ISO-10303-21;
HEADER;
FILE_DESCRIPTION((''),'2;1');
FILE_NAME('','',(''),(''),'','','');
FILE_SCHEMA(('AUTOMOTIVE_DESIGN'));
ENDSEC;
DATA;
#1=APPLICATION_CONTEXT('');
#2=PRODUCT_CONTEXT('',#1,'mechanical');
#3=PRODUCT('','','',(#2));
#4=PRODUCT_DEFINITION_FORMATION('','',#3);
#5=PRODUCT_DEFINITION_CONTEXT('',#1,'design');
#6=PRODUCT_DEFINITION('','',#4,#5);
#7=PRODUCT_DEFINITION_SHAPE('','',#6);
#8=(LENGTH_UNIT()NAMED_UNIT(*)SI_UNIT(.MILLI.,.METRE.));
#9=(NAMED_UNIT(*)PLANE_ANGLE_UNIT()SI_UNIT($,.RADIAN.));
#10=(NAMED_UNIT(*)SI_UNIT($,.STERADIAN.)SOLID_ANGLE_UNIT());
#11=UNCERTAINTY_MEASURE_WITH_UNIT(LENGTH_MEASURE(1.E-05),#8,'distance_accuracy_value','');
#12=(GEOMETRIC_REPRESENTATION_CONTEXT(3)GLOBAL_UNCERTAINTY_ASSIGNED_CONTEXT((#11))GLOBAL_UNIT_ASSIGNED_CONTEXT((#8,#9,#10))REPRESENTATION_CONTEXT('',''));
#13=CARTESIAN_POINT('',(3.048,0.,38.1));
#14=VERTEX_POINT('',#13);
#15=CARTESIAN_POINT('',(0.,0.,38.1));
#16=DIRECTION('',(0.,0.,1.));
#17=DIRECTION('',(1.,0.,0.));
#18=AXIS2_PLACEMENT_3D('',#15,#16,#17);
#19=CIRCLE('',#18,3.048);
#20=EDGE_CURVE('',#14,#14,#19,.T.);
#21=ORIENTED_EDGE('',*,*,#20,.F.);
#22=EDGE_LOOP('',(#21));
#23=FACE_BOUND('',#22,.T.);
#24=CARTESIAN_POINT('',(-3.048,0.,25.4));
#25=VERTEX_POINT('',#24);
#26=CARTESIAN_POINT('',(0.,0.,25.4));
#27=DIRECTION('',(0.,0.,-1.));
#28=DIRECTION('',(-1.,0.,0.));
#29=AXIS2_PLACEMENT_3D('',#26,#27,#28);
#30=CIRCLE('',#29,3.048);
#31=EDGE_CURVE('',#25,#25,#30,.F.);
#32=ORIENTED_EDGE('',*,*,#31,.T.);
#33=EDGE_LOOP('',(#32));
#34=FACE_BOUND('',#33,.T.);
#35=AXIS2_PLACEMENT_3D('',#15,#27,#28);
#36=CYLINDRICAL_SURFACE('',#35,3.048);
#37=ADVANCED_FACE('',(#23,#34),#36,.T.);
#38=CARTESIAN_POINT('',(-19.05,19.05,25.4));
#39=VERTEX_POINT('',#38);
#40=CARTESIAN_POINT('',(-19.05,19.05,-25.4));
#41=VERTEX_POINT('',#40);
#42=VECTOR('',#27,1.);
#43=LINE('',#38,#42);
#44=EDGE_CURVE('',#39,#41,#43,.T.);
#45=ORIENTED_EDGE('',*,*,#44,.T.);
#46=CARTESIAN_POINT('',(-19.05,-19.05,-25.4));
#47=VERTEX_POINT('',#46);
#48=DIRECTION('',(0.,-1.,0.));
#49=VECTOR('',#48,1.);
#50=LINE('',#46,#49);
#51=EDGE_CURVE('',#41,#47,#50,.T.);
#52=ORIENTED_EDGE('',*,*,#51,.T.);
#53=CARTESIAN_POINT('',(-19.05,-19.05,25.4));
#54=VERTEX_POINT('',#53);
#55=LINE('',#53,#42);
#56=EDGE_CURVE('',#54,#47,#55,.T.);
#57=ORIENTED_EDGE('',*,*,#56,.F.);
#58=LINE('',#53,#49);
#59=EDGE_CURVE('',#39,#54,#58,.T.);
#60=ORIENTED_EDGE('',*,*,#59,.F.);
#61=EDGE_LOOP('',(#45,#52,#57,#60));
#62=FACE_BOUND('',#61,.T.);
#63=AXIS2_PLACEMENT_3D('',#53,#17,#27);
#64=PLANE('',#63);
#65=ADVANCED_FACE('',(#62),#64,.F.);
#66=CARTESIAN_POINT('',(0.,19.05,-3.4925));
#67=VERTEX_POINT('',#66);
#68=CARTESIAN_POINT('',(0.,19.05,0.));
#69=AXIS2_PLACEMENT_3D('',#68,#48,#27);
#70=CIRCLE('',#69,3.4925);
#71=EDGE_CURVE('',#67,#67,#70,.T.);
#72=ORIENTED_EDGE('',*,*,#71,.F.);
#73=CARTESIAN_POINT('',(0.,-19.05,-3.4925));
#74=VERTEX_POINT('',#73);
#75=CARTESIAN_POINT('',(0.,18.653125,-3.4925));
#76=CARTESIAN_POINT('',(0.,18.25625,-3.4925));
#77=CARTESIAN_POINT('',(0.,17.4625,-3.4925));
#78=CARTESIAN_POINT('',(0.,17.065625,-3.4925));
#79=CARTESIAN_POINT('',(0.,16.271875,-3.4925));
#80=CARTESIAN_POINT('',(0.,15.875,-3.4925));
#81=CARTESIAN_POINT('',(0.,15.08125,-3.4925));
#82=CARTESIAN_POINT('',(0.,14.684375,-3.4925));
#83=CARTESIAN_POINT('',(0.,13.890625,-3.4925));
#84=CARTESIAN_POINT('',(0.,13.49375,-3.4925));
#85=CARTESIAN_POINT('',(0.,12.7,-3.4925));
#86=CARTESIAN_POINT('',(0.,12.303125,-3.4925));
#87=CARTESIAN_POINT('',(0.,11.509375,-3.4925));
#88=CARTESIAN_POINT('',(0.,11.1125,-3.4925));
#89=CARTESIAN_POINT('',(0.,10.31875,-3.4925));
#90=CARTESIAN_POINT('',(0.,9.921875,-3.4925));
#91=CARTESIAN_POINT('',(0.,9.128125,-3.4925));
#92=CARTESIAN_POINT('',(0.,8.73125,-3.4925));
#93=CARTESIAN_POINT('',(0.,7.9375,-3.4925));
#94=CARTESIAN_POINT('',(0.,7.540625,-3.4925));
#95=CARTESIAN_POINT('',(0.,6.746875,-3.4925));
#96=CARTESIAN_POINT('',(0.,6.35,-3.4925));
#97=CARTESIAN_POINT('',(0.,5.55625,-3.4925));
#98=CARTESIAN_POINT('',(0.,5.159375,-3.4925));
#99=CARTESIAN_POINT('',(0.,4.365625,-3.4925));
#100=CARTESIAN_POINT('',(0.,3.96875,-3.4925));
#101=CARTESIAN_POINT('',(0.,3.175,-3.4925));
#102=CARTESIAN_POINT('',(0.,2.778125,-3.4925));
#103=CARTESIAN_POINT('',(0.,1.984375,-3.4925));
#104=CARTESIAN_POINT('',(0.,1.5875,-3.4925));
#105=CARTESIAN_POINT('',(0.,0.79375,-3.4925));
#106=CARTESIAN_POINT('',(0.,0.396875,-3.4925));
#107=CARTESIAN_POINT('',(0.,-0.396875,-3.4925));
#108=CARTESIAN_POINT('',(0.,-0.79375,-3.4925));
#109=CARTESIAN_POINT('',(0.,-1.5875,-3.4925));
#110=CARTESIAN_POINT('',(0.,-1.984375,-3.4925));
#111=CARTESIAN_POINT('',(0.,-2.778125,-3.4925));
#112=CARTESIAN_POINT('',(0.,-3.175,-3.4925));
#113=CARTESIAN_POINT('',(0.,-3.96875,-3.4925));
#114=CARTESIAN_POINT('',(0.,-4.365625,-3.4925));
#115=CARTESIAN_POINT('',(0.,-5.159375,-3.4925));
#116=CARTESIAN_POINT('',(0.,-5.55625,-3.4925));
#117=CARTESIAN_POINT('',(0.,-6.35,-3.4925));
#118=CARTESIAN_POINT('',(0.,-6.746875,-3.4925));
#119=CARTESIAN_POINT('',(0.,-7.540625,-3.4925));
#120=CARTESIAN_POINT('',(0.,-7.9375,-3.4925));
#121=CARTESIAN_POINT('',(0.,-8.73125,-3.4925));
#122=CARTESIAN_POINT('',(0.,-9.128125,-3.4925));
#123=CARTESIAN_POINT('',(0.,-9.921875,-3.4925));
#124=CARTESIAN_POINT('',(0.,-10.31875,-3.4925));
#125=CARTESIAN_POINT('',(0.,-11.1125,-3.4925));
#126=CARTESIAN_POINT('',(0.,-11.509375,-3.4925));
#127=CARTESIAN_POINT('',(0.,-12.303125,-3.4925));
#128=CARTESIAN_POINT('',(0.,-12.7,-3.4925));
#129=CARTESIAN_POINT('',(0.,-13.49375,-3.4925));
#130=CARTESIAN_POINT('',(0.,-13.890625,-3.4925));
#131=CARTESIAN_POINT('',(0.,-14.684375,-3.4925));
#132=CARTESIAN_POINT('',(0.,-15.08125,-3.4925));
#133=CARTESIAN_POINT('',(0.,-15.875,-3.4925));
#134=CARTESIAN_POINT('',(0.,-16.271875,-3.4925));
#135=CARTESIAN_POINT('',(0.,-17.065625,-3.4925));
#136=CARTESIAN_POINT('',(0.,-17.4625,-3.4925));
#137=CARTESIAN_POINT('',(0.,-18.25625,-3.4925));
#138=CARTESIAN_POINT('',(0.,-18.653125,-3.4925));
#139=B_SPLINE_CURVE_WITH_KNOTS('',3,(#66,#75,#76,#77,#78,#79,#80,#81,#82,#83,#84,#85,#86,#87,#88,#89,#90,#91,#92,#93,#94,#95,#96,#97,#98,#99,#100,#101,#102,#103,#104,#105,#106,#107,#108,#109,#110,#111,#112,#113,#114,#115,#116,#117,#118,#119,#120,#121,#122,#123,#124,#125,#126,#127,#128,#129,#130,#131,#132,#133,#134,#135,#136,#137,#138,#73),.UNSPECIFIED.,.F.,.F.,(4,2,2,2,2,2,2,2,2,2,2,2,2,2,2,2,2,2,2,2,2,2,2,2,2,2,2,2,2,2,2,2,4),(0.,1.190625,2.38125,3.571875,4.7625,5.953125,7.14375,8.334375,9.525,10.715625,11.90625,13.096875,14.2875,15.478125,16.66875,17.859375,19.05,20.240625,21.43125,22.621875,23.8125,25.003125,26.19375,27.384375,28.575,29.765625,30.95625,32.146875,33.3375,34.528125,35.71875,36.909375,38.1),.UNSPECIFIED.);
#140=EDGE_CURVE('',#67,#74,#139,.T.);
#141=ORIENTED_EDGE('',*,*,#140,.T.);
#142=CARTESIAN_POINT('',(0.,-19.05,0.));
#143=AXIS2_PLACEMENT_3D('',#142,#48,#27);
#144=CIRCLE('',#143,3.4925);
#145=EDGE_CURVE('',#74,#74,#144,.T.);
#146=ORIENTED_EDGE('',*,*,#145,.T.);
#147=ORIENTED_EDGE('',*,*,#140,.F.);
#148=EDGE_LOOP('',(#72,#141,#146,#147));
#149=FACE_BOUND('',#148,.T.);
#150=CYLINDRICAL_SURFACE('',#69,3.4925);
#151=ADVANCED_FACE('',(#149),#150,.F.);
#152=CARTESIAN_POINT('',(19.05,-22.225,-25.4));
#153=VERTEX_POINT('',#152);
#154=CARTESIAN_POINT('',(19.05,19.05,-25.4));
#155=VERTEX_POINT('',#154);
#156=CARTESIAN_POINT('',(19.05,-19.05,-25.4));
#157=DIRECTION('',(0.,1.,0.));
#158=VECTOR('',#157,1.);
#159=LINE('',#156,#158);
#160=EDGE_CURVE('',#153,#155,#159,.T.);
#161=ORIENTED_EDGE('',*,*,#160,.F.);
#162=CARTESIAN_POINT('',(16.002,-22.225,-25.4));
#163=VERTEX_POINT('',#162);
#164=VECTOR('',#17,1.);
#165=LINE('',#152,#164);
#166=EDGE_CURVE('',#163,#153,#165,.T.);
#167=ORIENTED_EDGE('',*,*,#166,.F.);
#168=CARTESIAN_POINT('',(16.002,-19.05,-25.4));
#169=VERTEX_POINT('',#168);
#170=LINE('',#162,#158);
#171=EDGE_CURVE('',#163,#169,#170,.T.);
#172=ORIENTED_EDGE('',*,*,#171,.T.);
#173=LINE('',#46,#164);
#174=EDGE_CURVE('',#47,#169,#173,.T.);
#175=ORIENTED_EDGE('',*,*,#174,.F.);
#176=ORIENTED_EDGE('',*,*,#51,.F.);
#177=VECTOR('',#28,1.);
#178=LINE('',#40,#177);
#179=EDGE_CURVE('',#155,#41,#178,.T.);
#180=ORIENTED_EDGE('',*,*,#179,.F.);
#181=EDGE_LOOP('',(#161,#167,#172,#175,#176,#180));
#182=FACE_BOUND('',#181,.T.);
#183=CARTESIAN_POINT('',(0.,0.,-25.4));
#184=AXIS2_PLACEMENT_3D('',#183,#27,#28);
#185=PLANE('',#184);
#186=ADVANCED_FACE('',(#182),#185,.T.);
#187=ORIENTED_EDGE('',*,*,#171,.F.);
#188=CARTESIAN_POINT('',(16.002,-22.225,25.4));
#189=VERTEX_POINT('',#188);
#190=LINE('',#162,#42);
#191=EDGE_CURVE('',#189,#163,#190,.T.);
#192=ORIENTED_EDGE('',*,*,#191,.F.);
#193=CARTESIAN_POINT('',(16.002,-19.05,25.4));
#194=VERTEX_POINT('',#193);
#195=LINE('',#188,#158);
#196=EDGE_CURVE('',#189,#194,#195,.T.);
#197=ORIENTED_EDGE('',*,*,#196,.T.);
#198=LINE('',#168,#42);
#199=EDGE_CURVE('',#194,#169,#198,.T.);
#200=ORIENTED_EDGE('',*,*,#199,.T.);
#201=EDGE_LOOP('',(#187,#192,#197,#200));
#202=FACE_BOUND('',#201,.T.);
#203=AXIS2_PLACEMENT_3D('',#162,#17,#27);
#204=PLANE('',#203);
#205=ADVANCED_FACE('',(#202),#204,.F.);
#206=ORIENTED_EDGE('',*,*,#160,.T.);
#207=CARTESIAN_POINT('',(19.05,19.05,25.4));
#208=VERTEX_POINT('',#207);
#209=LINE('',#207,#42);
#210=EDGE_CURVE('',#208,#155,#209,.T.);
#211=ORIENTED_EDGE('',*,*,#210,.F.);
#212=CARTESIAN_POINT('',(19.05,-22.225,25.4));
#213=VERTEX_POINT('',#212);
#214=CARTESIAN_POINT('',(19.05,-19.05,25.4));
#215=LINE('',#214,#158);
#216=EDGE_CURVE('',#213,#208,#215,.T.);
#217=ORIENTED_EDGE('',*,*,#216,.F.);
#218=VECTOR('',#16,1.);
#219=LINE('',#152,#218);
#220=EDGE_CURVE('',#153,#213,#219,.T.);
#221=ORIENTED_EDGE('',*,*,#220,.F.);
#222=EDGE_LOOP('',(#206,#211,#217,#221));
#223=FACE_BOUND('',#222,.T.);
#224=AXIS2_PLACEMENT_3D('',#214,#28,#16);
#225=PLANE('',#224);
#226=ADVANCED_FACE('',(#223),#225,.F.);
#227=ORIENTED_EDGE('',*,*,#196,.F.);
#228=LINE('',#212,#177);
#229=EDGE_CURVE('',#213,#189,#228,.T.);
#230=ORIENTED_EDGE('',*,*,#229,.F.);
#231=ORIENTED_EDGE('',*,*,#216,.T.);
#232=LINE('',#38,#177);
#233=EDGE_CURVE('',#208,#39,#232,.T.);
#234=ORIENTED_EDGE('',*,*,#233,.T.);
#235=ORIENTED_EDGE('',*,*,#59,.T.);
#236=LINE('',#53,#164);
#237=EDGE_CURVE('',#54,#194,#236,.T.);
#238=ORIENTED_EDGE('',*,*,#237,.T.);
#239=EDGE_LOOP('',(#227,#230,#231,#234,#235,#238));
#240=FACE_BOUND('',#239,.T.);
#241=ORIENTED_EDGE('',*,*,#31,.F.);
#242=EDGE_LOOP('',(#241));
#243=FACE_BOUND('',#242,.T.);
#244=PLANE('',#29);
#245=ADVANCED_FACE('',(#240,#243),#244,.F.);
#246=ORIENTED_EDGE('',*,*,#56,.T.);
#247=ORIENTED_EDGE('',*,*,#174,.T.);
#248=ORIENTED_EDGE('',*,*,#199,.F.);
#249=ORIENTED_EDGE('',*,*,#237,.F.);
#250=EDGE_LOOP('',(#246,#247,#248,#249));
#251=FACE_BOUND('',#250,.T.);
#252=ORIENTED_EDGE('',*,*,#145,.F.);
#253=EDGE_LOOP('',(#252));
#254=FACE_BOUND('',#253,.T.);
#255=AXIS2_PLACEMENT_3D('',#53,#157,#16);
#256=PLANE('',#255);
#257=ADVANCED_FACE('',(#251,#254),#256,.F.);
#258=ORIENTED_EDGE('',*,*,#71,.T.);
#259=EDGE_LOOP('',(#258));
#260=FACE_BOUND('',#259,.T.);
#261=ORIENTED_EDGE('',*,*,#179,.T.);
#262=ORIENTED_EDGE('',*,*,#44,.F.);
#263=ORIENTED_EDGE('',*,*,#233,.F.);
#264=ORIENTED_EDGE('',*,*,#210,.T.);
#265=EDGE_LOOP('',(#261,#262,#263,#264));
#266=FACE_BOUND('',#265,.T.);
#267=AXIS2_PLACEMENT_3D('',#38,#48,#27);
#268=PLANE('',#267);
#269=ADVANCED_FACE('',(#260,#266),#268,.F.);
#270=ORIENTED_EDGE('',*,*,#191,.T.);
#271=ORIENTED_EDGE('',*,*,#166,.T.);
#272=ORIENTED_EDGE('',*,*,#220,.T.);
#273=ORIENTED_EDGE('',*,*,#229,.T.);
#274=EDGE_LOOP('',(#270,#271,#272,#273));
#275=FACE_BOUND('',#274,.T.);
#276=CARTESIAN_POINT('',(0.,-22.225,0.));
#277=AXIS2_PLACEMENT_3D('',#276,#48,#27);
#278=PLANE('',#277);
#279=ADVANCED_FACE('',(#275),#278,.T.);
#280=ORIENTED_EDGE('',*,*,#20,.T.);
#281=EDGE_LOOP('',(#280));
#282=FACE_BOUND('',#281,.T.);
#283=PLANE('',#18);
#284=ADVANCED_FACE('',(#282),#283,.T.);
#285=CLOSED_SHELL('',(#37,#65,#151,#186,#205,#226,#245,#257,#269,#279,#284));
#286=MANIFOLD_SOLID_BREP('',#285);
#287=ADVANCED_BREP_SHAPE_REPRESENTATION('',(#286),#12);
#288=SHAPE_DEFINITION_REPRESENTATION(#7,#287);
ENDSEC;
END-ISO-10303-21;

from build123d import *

# Parameters (mm, degrees)
SKETCH1_W           = 38.1
SKETCH1_H           = 38.1
BOSS_EXTRUDE1_DEPTH = 25.4
SKETCH2_R           = 3.048
BOSS_EXTRUDE2_DEPTH = 12.7
SKETCH3_W           = 3.048
SKETCH3_H           = 50.8
BOSS_EXTRUDE3_DEPTH = 3.175
SKETCH4_R           = 3.4925
CUT_EXTRUDE1_DEPTH  = 58.15


with BuildPart() as part:
    # Sketch1 → Boss-Extrude1 (new, symmetric)
    with BuildSketch(Plane.XY):
        Rectangle(SKETCH1_W, SKETCH1_H)
    extrude(amount=BOSS_EXTRUDE1_DEPTH, both=True)

    # Sketch2 → Boss-Extrude2 (add)
    with BuildSketch(Plane.XY.offset(25.4)):
        with Locations(Location((0, 0, 0), (0, 0, 180))):
            Circle(SKETCH2_R)
    extrude(amount=BOSS_EXTRUDE2_DEPTH)

    # Sketch3 → Boss-Extrude3 (add)
    with BuildSketch(Plane.XZ.offset(19.05)):
        with Locations((17.526, 0)):
            Rectangle(SKETCH3_W, SKETCH3_H)
    extrude(amount=BOSS_EXTRUDE3_DEPTH)

    # Sketch4 → Cut-Extrude1 (cut, through all)
    with BuildSketch(Plane.XZ.offset(19.05)):
        with Locations(Location((0, 0, 0), (0, 0, 270))):
            Circle(SKETCH4_R)
    extrude(amount=-CUT_EXTRUDE1_DEPTH, mode=Mode.SUBTRACT)


solid = part.part
